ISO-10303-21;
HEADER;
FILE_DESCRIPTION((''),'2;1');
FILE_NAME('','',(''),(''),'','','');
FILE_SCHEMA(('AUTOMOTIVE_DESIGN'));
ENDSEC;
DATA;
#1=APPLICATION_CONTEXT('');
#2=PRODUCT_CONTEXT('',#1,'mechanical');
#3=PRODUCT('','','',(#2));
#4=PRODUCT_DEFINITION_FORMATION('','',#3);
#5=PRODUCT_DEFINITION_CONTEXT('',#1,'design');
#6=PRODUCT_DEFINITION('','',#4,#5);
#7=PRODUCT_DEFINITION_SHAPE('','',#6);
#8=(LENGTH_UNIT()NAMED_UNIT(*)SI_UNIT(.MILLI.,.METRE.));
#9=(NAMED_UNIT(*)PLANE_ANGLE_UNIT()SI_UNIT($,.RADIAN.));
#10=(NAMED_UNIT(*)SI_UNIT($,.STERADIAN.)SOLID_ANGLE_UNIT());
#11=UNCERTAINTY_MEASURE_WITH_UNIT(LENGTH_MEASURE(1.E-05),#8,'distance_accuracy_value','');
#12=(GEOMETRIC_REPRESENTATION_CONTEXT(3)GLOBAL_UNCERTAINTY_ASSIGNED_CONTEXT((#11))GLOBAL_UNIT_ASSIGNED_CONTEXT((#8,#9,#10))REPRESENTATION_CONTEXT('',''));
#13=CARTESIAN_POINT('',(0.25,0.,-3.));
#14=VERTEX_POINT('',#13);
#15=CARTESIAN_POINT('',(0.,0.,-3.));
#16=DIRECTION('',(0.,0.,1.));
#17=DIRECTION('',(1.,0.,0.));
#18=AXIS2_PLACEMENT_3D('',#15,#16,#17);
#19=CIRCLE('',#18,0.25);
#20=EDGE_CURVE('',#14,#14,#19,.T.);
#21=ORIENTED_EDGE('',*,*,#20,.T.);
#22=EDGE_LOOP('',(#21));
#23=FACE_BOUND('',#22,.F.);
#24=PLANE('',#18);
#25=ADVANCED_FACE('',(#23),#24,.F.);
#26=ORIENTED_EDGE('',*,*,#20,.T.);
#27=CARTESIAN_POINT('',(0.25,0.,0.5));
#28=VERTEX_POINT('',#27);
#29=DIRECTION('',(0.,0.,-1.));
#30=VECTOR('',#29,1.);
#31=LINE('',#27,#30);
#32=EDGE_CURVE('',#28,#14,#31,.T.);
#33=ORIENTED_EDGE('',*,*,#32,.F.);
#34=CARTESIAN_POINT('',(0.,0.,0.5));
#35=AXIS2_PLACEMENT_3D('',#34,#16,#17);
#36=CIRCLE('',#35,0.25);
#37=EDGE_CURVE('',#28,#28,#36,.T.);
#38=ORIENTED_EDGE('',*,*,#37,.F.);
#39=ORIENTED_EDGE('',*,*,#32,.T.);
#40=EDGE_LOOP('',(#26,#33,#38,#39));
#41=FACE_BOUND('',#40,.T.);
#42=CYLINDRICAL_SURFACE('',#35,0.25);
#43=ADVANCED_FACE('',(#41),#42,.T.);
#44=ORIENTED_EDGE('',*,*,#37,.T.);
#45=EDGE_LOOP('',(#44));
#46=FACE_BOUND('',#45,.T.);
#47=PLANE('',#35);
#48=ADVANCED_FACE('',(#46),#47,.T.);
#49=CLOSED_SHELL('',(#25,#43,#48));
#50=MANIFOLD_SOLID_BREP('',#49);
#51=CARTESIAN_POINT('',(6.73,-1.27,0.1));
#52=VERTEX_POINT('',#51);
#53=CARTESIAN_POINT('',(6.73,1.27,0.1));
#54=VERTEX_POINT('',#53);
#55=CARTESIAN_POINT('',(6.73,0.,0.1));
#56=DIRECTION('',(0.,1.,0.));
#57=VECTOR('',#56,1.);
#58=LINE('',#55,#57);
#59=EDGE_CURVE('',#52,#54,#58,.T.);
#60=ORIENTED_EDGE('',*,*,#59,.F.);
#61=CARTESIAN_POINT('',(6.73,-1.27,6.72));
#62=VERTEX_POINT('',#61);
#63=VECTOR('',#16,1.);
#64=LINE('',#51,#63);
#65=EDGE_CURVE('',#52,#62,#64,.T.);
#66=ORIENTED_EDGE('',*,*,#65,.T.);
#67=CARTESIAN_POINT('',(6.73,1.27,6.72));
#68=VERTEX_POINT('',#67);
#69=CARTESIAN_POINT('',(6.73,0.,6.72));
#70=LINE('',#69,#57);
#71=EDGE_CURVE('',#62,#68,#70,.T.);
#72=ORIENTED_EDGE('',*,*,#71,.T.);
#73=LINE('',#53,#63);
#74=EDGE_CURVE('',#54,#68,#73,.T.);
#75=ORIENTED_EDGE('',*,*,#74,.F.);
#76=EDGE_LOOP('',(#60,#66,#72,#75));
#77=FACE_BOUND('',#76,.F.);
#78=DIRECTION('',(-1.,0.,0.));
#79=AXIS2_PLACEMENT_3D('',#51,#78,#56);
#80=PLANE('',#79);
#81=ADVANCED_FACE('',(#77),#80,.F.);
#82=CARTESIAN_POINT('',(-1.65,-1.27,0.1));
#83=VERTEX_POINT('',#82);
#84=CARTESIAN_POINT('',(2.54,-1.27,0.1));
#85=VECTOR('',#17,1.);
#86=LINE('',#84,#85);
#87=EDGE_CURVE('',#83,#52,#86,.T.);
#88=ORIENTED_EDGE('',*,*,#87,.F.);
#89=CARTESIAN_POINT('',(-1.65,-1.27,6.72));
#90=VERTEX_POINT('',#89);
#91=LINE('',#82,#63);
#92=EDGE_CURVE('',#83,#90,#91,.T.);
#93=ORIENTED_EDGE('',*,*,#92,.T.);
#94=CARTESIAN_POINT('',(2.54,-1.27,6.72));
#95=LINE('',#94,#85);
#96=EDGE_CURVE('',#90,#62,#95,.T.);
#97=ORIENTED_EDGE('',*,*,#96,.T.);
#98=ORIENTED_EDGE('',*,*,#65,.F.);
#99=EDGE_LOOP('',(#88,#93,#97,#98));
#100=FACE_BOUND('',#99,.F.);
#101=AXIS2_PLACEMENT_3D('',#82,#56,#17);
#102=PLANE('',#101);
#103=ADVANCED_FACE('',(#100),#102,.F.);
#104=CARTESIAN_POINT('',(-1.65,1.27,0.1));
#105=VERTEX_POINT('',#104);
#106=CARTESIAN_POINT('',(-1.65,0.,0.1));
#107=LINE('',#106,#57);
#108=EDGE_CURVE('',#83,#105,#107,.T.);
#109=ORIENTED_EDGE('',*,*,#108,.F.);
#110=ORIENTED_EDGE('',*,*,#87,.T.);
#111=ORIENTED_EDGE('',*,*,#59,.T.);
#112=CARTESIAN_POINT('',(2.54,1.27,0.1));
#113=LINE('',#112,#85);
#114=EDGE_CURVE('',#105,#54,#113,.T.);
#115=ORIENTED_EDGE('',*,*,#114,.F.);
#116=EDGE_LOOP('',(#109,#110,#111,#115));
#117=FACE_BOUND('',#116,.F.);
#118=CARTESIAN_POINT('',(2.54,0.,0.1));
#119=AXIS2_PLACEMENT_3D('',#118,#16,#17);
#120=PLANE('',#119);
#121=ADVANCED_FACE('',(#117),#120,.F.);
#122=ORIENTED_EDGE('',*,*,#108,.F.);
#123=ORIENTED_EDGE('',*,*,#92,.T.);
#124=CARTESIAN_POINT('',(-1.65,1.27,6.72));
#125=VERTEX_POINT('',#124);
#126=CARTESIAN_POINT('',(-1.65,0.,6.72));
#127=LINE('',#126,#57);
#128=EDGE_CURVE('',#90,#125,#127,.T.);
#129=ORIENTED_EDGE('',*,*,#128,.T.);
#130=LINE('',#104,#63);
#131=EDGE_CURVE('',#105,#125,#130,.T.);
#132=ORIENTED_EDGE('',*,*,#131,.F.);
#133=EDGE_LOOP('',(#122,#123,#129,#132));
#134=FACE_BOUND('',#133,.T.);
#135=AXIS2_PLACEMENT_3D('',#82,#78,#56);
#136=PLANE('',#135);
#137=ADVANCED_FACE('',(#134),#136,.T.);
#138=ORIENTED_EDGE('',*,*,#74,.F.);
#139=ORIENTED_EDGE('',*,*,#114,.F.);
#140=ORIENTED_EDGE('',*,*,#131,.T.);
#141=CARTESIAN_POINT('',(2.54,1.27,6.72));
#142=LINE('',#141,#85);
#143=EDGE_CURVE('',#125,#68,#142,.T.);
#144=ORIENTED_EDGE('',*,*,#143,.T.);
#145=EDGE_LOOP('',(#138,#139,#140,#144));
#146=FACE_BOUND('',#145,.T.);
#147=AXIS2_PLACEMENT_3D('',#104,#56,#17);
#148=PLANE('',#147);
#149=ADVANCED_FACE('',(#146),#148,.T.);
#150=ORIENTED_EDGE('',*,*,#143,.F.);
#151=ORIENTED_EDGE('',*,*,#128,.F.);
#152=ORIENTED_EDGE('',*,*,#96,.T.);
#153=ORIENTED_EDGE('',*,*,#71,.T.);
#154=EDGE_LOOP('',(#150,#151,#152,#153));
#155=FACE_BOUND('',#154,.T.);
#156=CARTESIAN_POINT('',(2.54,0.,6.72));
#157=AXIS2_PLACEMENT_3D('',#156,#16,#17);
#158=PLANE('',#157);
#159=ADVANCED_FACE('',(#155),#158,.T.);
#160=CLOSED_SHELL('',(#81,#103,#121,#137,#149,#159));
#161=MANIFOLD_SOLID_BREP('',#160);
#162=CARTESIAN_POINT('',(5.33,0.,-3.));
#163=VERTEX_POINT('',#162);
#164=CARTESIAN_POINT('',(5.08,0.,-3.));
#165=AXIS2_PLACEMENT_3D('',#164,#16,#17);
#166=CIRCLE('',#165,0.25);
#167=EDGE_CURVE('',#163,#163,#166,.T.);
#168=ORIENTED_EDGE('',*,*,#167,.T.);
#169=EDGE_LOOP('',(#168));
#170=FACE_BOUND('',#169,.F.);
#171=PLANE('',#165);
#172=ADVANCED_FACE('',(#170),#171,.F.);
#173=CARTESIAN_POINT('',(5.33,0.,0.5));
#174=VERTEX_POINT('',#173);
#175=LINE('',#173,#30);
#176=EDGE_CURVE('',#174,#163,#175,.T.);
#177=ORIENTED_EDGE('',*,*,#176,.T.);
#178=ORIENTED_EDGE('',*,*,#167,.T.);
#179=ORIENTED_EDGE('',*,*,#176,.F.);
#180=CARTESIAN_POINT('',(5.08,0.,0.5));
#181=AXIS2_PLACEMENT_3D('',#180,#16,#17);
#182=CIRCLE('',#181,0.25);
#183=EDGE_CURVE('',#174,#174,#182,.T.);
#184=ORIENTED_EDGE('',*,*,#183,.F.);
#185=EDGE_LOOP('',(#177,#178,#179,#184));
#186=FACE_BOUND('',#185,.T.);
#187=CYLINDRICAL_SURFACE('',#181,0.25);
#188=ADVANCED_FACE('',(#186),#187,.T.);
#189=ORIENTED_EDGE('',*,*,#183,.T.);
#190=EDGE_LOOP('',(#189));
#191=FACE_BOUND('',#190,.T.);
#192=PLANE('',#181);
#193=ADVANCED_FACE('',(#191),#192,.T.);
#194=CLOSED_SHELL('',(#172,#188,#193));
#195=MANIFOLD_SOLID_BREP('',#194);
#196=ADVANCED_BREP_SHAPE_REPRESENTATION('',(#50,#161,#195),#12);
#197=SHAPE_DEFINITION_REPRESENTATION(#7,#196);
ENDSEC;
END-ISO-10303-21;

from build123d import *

# Parameters (mm, degrees)
SKETCH_W     = 8.38
SKETCH_H     = 2.54
PAD_DEPTH    = 6.62
SKETCH001_R  = 0.25
PAD001_DEPTH = 3.5


with BuildPart() as pad:
    # Sketch → Pad (new body)
    with BuildSketch(Plane.XY.offset(0.1)):
        with Locations((2.54, 0)):
            Rectangle(SKETCH_W, SKETCH_H)
    extrude(amount=PAD_DEPTH)


with BuildPart() as pad001:
    # Sketch001 → Pad001 (new body)
    with BuildSketch(Plane.XY.offset(0.5)):
        Circle(SKETCH001_R)
        with Locations((5.08, 0)):
            Circle(SKETCH001_R)
    extrude(amount=-PAD001_DEPTH)


solid = Compound([pad.part, pad001.part])
